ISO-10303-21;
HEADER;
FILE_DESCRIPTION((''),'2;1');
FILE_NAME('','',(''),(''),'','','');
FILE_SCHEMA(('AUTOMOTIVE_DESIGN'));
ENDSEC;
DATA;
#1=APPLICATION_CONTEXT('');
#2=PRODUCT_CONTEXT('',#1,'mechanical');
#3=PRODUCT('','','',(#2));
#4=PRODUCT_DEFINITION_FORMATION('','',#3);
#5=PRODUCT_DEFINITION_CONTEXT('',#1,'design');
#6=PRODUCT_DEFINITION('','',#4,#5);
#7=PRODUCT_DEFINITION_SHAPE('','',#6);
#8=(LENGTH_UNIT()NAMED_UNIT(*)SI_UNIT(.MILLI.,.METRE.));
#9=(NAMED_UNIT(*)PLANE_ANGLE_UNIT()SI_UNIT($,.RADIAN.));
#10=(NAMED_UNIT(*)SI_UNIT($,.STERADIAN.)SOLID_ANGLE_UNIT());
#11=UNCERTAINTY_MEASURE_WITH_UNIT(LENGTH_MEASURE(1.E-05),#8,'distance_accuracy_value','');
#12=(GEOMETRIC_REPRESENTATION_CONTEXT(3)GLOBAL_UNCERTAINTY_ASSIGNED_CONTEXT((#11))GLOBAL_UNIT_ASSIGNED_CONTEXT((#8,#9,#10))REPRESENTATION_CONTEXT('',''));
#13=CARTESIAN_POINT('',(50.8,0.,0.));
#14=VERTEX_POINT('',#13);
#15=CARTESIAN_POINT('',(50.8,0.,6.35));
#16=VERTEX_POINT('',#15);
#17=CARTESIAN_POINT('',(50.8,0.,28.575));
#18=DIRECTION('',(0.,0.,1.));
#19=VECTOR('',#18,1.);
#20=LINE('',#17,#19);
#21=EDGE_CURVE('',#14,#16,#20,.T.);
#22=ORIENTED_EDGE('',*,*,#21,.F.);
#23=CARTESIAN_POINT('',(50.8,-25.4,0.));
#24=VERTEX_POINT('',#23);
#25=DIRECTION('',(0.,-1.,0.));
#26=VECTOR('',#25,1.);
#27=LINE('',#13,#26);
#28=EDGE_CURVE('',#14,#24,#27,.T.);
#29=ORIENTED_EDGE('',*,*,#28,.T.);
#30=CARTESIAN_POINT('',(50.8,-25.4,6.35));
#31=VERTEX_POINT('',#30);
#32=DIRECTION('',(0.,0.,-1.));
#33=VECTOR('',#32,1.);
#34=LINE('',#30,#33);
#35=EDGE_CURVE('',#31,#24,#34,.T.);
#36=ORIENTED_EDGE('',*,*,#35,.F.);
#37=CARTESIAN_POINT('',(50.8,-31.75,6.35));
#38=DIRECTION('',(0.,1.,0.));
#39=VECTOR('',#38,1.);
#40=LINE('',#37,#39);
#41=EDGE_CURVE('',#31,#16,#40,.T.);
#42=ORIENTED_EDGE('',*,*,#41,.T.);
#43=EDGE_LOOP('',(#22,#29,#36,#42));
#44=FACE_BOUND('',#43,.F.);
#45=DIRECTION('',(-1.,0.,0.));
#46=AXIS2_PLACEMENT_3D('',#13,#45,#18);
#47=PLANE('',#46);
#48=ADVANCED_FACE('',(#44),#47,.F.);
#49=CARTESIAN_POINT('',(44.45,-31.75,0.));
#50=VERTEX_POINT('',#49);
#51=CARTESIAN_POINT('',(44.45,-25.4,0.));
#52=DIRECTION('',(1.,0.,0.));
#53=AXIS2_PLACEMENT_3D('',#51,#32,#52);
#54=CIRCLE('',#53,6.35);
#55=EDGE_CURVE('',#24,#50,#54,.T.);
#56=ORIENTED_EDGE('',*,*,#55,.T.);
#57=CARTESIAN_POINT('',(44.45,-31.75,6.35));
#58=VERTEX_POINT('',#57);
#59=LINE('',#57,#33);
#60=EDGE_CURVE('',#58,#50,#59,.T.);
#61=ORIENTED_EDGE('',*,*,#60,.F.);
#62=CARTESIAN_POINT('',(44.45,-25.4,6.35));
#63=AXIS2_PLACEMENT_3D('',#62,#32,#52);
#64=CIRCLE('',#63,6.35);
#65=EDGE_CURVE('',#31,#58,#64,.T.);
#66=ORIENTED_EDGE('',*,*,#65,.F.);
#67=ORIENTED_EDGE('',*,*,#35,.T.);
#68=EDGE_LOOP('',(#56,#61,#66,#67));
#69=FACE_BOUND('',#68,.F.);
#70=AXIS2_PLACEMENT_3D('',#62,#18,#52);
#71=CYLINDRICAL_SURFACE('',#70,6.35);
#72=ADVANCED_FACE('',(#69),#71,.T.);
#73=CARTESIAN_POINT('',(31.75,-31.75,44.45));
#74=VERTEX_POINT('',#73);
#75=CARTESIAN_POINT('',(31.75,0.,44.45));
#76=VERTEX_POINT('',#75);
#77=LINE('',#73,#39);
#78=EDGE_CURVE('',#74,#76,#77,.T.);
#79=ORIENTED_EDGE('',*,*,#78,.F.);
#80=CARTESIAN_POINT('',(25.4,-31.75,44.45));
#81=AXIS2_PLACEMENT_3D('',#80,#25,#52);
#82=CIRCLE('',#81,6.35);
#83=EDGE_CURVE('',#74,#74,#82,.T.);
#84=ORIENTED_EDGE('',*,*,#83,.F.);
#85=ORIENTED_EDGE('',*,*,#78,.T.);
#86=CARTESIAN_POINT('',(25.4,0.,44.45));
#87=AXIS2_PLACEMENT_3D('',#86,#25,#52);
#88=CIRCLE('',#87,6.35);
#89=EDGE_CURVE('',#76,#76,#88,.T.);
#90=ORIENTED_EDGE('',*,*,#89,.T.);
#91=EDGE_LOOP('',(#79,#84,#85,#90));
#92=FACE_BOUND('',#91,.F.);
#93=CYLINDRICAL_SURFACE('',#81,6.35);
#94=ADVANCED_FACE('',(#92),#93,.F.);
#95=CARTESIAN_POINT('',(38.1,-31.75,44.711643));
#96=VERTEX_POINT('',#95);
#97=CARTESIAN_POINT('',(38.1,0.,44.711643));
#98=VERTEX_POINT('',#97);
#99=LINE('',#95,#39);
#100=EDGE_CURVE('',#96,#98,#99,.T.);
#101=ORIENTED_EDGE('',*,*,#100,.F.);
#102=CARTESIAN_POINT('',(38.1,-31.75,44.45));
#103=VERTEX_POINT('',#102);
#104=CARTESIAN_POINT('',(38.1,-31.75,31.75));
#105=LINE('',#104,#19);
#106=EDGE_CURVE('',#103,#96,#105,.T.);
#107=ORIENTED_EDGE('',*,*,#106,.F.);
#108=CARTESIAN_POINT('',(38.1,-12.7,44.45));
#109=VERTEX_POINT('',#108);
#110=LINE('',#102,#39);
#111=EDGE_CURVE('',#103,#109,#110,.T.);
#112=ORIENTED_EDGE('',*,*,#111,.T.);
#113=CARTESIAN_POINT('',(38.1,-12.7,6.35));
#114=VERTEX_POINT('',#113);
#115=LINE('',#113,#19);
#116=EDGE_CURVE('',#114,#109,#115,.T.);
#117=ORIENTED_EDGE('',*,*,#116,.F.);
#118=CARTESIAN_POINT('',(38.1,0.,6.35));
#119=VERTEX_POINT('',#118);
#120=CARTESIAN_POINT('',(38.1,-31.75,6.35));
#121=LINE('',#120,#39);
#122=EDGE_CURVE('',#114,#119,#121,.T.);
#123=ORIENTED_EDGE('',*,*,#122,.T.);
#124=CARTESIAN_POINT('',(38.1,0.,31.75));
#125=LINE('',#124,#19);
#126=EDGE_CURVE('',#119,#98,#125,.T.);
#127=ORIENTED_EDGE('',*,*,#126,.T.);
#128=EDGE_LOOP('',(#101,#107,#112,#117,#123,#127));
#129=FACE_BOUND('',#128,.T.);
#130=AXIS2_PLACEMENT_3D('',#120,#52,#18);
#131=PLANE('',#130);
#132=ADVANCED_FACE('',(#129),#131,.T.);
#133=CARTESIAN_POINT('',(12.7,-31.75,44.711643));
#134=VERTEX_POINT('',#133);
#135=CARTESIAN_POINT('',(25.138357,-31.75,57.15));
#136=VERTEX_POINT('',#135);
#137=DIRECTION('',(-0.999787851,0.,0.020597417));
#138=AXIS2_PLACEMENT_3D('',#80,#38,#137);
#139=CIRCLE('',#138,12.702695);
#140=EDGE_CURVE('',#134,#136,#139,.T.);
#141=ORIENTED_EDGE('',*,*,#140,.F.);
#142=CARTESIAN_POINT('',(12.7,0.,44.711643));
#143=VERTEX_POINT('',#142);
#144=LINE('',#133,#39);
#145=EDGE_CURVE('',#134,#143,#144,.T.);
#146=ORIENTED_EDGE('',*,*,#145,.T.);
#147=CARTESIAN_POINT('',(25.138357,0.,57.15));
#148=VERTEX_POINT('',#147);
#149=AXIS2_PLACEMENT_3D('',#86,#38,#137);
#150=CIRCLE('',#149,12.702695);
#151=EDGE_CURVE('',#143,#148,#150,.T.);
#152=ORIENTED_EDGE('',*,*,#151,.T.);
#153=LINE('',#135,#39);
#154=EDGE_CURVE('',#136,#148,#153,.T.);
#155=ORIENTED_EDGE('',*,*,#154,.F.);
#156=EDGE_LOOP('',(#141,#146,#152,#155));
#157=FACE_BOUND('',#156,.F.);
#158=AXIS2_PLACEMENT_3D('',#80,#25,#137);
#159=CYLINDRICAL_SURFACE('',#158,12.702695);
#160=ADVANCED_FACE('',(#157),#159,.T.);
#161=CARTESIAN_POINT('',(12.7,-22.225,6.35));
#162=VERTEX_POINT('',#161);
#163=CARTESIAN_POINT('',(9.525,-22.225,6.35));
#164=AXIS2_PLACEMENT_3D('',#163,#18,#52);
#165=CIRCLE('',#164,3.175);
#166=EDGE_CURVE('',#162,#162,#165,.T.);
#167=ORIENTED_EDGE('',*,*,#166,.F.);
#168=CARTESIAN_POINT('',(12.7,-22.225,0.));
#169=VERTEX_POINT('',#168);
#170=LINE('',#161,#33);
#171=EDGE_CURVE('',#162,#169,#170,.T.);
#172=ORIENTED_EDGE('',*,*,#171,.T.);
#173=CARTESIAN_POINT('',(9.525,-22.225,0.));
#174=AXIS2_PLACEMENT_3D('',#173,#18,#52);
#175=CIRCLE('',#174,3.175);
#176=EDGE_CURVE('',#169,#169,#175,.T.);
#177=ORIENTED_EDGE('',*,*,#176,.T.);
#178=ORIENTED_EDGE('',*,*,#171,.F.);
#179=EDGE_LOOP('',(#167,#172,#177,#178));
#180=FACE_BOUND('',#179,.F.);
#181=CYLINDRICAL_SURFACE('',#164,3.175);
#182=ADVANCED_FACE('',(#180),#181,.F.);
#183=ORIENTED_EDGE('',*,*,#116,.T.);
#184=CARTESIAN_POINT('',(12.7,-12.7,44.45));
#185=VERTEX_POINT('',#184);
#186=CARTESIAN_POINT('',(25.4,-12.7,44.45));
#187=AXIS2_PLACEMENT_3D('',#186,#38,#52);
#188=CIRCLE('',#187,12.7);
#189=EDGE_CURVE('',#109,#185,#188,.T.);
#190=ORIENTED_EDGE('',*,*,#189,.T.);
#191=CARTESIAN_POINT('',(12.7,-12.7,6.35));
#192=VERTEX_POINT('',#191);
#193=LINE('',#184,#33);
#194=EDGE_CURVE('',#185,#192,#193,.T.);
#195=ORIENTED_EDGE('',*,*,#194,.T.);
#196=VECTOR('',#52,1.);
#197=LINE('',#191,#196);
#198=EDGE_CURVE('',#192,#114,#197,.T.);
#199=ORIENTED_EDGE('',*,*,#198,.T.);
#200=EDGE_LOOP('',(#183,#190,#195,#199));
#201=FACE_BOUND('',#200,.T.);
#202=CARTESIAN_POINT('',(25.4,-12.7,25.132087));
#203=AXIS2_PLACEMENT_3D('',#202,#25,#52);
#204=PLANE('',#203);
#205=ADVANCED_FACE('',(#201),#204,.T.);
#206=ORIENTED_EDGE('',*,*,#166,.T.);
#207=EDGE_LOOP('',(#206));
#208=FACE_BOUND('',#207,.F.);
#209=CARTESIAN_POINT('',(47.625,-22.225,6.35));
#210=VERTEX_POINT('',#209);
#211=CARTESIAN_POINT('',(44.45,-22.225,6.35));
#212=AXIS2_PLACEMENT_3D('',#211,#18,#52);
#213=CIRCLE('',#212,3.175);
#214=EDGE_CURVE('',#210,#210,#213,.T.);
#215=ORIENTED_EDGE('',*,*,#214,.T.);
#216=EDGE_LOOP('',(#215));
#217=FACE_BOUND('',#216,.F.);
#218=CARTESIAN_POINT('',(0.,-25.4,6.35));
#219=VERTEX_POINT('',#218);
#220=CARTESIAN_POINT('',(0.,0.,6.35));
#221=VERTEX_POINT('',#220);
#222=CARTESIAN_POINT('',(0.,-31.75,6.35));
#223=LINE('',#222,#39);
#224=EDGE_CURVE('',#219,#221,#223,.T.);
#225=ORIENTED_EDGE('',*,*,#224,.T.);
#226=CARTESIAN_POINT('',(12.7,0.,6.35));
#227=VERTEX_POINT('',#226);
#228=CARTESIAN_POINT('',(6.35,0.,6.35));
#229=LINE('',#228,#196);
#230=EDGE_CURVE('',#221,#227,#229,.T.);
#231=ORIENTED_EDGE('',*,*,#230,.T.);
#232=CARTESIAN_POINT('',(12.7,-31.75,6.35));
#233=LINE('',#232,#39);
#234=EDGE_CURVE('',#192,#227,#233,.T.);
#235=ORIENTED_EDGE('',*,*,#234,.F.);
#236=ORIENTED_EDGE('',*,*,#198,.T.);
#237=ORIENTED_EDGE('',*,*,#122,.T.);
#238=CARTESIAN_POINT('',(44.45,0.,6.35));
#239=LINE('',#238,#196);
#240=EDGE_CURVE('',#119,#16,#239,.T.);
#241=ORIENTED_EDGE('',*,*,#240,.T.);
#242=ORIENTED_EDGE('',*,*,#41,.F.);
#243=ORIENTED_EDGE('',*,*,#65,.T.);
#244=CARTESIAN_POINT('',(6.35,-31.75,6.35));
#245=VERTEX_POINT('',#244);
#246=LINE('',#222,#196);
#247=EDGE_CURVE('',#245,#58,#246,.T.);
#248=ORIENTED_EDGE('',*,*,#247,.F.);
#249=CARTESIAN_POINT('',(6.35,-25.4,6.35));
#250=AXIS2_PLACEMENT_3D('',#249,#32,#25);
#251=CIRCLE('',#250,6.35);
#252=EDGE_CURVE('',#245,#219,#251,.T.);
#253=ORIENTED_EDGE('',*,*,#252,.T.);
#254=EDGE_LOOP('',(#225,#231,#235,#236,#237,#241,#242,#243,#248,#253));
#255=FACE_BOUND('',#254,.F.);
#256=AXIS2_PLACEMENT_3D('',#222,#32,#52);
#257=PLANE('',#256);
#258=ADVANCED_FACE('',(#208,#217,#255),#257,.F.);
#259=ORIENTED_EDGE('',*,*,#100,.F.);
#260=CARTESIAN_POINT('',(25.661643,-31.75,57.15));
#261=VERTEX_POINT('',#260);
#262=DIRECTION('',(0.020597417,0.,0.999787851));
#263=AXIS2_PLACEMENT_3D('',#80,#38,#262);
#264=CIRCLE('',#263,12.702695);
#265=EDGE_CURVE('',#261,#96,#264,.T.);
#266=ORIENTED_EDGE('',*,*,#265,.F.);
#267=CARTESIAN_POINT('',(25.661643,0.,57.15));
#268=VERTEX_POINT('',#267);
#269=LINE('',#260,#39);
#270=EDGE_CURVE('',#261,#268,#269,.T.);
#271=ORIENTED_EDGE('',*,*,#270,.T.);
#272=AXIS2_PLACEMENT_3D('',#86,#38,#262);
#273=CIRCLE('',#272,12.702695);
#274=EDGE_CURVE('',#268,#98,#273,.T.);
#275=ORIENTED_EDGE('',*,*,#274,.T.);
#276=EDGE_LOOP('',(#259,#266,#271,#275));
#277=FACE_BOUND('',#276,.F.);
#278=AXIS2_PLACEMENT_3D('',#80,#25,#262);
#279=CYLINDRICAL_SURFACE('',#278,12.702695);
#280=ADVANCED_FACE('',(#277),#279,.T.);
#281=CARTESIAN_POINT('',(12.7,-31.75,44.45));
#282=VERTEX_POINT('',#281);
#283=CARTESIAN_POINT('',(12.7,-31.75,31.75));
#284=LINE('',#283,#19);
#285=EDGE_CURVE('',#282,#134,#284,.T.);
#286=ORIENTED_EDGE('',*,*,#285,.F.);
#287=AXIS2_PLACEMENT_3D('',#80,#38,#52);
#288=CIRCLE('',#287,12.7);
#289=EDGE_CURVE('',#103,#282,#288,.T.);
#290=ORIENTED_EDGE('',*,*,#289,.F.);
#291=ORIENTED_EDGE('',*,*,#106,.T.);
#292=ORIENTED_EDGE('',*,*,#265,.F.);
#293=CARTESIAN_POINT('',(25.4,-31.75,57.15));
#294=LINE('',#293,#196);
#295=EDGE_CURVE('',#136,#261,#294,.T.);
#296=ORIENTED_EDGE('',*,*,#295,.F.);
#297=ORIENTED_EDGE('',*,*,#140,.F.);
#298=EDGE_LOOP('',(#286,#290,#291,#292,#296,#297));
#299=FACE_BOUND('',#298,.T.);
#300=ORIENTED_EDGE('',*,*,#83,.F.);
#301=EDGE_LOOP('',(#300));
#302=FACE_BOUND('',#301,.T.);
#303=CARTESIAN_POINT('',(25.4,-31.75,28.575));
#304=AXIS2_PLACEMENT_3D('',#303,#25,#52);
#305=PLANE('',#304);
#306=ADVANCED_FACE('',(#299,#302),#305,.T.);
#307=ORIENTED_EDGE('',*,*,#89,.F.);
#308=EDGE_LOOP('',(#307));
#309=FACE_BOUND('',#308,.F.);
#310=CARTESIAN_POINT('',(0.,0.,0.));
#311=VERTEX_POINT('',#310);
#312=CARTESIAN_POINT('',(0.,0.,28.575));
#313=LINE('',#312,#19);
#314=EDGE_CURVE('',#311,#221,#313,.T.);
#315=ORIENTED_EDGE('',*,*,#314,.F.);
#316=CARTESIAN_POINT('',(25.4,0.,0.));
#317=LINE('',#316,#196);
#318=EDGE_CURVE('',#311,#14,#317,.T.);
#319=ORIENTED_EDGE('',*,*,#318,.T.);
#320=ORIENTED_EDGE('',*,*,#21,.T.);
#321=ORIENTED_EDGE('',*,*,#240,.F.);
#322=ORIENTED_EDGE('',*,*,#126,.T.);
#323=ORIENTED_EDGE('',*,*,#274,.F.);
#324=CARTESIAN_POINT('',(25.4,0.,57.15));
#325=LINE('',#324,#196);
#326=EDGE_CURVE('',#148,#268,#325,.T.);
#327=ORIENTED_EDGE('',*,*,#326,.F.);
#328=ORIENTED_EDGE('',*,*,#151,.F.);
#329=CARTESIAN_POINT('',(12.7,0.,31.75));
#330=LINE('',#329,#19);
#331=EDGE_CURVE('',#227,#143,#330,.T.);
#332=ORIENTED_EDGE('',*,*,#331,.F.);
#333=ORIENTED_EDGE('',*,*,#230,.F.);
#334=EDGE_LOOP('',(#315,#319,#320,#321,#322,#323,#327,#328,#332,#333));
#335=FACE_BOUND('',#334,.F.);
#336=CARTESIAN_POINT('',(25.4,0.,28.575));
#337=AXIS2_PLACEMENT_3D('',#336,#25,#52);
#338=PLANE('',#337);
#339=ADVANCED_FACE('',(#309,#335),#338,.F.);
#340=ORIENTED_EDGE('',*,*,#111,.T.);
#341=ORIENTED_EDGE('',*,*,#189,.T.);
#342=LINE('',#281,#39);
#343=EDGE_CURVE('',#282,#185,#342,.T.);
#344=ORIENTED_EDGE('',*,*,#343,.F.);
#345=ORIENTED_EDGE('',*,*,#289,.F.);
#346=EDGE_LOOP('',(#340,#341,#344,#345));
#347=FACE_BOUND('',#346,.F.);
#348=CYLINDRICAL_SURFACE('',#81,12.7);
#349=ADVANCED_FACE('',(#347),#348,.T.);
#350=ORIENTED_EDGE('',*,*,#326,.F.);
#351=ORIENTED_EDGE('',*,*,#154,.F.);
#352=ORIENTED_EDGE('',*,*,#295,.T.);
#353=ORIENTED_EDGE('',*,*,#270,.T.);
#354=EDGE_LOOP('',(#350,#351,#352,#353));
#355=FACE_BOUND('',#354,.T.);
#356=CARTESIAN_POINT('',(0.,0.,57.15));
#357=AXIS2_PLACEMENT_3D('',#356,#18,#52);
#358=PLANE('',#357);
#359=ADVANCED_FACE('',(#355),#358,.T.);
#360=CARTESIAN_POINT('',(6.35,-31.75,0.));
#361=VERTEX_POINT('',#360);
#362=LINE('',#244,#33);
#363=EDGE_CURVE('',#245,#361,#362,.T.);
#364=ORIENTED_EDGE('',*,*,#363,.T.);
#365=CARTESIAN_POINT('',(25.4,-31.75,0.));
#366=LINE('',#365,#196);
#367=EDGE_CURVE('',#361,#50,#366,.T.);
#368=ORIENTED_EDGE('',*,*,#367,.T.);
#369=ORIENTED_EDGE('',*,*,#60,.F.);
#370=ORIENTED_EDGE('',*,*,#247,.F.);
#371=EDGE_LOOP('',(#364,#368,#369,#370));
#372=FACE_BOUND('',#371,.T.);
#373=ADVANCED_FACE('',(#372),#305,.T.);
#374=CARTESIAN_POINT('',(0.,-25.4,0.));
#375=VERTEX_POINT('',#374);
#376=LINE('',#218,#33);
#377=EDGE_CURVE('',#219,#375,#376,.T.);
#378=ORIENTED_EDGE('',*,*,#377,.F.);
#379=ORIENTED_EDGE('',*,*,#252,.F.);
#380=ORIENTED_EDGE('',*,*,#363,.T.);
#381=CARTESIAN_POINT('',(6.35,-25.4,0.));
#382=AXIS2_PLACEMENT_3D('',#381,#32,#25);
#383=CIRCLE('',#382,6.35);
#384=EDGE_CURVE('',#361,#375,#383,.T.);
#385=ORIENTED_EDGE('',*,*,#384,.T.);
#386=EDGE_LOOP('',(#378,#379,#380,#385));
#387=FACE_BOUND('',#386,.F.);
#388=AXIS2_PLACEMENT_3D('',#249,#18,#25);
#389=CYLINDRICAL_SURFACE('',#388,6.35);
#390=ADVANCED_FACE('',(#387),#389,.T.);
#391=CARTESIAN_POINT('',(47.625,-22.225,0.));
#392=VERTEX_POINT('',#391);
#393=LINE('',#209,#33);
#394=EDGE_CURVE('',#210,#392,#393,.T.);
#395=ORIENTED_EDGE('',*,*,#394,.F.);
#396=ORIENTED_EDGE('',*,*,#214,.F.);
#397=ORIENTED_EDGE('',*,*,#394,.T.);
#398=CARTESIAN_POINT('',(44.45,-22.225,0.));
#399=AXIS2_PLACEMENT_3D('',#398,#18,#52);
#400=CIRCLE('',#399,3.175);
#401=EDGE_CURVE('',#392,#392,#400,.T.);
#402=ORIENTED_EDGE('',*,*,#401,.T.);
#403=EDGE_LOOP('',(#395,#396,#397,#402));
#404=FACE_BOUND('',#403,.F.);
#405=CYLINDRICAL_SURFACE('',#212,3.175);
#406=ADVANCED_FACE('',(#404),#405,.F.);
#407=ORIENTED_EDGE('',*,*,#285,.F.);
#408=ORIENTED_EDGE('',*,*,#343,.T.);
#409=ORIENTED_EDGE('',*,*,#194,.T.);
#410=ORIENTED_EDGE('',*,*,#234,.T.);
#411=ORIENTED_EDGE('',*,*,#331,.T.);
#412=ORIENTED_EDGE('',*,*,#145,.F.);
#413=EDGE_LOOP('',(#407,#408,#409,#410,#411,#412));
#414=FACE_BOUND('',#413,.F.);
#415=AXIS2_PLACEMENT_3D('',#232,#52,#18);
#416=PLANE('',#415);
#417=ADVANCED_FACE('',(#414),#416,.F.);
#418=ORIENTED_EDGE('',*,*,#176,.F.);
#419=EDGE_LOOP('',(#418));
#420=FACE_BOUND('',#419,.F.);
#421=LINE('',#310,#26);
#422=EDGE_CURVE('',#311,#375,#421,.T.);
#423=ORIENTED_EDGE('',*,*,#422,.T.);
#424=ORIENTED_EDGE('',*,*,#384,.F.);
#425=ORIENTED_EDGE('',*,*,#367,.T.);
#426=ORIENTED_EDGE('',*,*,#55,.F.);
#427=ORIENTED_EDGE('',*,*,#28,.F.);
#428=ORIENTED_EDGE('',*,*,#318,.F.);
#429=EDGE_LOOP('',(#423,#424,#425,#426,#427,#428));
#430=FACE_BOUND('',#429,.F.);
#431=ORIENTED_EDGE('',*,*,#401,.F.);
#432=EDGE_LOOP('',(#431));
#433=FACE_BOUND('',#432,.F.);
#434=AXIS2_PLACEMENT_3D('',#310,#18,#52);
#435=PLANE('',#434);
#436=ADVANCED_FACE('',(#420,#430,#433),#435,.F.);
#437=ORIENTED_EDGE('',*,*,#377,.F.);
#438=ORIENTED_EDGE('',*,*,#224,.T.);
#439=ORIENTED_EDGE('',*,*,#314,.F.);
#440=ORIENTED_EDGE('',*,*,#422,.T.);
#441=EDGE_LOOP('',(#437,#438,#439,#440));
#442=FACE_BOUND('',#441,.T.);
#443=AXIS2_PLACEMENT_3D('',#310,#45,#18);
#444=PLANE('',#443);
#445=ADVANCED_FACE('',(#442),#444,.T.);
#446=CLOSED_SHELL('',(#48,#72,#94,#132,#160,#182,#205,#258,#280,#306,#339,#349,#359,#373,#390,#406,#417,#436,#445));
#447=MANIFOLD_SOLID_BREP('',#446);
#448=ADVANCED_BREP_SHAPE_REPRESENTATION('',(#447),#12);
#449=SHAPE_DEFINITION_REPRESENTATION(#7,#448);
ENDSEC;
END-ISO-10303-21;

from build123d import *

# Parameters (mm, degrees)
F0_W      = 50.8
F0_H      = 57.15
F1_DEPTH  = 31.75
F2_W      = 12.7
F2_H      = 50.8
F3_DEPTH  = 31.75
F5_DEPTH  = 19.05
F7_DEPTH  = 31.75
F8_R      = 3.175
F9_DEPTH  = 6.35
F10_R     = 6.35
F11_DEPTH = 31.75


with BuildPart() as f1:
    # F0 (on Front) → F1 (new body)
    with BuildSketch(Plane.XZ):
        with Locations((25.4, 28.575)):
            Rectangle(F0_W, F0_H)
    extrude(amount=F1_DEPTH)

    # F2 (on face) → F3 (cut)
    with BuildSketch(Plane.XZ.offset(31.75)):
        with Locations((6.35, 31.75)):
            Rectangle(F2_W, F2_H)
        with Locations((44.45, 31.75)):
            Rectangle(F2_W, F2_H)
    extrude(amount=-F3_DEPTH, mode=Mode.SUBTRACT)

    # F4 (on face) → F5 (cut)
    with BuildSketch(Plane.XZ.offset(31.75)):
        with BuildLine():
            Line((12.7, 44.45), (12.7, 6.35))
            Line((12.7, 6.35), (38.1, 6.35))
            Line((38.1, 6.35), (38.1, 44.45))
            ThreePointArc((38.1, 44.45), (25.4, 31.75), (12.7, 44.45))
        make_face()
    extrude(amount=-F5_DEPTH, mode=Mode.SUBTRACT)

    # F6 (on face) → F7 (cut)
    with BuildSketch(Plane.XZ.offset(31.75)):
        with BuildLine():
            Line((12.7, 57.15), (12.7, 44.7116427085))
            ThreePointArc((12.7, 44.7116427085), (16.4178383196, 53.4321616804), (25.1383572915, 57.15))
            Line((25.1383572915, 57.15), (12.7, 57.15))
        make_face()
        with BuildLine():
            ThreePointArc((25.6616427085, 57.15), (34.3821616804, 53.4321616804), (38.1, 44.7116427085))
            Line((38.1, 44.7116427085), (38.1, 57.15))
            Line((38.1, 57.15), (25.6616427085, 57.15))
        make_face()
    extrude(amount=-F7_DEPTH, mode=Mode.SUBTRACT)

    # F8 (on face) → F9 (cut)
    with BuildSketch(Plane.XY.offset(6.35)):
        with Locations((9.525, -22.225)):
            Circle(F8_R)
        with BuildLine():
            ThreePointArc((6.35, -31.75), (1.8598719395, -29.8901280605), (0, -25.4))
            Line((0, -25.4), (0, -31.75))
            Line((0, -31.75), (6.35, -31.75))
        make_face()
        with Locations((44.45, -22.225)):
            Circle(F8_R)
        with BuildLine():
            ThreePointArc((50.8, -25.4), (48.9401280605, -29.8901280605), (44.45, -31.75))
            Line((44.45, -31.75), (50.8, -31.75))
            Line((50.8, -31.75), (50.8, -25.4))
        make_face()
    extrude(amount=-F9_DEPTH, mode=Mode.SUBTRACT)

    # F10 (on face) → F11 (cut)
    with BuildSketch(Plane.XZ.offset(31.75)):
        with Locations((25.4, 44.45)):
            Circle(F10_R)
    extrude(amount=-F11_DEPTH, mode=Mode.SUBTRACT)


solid = f1.part
